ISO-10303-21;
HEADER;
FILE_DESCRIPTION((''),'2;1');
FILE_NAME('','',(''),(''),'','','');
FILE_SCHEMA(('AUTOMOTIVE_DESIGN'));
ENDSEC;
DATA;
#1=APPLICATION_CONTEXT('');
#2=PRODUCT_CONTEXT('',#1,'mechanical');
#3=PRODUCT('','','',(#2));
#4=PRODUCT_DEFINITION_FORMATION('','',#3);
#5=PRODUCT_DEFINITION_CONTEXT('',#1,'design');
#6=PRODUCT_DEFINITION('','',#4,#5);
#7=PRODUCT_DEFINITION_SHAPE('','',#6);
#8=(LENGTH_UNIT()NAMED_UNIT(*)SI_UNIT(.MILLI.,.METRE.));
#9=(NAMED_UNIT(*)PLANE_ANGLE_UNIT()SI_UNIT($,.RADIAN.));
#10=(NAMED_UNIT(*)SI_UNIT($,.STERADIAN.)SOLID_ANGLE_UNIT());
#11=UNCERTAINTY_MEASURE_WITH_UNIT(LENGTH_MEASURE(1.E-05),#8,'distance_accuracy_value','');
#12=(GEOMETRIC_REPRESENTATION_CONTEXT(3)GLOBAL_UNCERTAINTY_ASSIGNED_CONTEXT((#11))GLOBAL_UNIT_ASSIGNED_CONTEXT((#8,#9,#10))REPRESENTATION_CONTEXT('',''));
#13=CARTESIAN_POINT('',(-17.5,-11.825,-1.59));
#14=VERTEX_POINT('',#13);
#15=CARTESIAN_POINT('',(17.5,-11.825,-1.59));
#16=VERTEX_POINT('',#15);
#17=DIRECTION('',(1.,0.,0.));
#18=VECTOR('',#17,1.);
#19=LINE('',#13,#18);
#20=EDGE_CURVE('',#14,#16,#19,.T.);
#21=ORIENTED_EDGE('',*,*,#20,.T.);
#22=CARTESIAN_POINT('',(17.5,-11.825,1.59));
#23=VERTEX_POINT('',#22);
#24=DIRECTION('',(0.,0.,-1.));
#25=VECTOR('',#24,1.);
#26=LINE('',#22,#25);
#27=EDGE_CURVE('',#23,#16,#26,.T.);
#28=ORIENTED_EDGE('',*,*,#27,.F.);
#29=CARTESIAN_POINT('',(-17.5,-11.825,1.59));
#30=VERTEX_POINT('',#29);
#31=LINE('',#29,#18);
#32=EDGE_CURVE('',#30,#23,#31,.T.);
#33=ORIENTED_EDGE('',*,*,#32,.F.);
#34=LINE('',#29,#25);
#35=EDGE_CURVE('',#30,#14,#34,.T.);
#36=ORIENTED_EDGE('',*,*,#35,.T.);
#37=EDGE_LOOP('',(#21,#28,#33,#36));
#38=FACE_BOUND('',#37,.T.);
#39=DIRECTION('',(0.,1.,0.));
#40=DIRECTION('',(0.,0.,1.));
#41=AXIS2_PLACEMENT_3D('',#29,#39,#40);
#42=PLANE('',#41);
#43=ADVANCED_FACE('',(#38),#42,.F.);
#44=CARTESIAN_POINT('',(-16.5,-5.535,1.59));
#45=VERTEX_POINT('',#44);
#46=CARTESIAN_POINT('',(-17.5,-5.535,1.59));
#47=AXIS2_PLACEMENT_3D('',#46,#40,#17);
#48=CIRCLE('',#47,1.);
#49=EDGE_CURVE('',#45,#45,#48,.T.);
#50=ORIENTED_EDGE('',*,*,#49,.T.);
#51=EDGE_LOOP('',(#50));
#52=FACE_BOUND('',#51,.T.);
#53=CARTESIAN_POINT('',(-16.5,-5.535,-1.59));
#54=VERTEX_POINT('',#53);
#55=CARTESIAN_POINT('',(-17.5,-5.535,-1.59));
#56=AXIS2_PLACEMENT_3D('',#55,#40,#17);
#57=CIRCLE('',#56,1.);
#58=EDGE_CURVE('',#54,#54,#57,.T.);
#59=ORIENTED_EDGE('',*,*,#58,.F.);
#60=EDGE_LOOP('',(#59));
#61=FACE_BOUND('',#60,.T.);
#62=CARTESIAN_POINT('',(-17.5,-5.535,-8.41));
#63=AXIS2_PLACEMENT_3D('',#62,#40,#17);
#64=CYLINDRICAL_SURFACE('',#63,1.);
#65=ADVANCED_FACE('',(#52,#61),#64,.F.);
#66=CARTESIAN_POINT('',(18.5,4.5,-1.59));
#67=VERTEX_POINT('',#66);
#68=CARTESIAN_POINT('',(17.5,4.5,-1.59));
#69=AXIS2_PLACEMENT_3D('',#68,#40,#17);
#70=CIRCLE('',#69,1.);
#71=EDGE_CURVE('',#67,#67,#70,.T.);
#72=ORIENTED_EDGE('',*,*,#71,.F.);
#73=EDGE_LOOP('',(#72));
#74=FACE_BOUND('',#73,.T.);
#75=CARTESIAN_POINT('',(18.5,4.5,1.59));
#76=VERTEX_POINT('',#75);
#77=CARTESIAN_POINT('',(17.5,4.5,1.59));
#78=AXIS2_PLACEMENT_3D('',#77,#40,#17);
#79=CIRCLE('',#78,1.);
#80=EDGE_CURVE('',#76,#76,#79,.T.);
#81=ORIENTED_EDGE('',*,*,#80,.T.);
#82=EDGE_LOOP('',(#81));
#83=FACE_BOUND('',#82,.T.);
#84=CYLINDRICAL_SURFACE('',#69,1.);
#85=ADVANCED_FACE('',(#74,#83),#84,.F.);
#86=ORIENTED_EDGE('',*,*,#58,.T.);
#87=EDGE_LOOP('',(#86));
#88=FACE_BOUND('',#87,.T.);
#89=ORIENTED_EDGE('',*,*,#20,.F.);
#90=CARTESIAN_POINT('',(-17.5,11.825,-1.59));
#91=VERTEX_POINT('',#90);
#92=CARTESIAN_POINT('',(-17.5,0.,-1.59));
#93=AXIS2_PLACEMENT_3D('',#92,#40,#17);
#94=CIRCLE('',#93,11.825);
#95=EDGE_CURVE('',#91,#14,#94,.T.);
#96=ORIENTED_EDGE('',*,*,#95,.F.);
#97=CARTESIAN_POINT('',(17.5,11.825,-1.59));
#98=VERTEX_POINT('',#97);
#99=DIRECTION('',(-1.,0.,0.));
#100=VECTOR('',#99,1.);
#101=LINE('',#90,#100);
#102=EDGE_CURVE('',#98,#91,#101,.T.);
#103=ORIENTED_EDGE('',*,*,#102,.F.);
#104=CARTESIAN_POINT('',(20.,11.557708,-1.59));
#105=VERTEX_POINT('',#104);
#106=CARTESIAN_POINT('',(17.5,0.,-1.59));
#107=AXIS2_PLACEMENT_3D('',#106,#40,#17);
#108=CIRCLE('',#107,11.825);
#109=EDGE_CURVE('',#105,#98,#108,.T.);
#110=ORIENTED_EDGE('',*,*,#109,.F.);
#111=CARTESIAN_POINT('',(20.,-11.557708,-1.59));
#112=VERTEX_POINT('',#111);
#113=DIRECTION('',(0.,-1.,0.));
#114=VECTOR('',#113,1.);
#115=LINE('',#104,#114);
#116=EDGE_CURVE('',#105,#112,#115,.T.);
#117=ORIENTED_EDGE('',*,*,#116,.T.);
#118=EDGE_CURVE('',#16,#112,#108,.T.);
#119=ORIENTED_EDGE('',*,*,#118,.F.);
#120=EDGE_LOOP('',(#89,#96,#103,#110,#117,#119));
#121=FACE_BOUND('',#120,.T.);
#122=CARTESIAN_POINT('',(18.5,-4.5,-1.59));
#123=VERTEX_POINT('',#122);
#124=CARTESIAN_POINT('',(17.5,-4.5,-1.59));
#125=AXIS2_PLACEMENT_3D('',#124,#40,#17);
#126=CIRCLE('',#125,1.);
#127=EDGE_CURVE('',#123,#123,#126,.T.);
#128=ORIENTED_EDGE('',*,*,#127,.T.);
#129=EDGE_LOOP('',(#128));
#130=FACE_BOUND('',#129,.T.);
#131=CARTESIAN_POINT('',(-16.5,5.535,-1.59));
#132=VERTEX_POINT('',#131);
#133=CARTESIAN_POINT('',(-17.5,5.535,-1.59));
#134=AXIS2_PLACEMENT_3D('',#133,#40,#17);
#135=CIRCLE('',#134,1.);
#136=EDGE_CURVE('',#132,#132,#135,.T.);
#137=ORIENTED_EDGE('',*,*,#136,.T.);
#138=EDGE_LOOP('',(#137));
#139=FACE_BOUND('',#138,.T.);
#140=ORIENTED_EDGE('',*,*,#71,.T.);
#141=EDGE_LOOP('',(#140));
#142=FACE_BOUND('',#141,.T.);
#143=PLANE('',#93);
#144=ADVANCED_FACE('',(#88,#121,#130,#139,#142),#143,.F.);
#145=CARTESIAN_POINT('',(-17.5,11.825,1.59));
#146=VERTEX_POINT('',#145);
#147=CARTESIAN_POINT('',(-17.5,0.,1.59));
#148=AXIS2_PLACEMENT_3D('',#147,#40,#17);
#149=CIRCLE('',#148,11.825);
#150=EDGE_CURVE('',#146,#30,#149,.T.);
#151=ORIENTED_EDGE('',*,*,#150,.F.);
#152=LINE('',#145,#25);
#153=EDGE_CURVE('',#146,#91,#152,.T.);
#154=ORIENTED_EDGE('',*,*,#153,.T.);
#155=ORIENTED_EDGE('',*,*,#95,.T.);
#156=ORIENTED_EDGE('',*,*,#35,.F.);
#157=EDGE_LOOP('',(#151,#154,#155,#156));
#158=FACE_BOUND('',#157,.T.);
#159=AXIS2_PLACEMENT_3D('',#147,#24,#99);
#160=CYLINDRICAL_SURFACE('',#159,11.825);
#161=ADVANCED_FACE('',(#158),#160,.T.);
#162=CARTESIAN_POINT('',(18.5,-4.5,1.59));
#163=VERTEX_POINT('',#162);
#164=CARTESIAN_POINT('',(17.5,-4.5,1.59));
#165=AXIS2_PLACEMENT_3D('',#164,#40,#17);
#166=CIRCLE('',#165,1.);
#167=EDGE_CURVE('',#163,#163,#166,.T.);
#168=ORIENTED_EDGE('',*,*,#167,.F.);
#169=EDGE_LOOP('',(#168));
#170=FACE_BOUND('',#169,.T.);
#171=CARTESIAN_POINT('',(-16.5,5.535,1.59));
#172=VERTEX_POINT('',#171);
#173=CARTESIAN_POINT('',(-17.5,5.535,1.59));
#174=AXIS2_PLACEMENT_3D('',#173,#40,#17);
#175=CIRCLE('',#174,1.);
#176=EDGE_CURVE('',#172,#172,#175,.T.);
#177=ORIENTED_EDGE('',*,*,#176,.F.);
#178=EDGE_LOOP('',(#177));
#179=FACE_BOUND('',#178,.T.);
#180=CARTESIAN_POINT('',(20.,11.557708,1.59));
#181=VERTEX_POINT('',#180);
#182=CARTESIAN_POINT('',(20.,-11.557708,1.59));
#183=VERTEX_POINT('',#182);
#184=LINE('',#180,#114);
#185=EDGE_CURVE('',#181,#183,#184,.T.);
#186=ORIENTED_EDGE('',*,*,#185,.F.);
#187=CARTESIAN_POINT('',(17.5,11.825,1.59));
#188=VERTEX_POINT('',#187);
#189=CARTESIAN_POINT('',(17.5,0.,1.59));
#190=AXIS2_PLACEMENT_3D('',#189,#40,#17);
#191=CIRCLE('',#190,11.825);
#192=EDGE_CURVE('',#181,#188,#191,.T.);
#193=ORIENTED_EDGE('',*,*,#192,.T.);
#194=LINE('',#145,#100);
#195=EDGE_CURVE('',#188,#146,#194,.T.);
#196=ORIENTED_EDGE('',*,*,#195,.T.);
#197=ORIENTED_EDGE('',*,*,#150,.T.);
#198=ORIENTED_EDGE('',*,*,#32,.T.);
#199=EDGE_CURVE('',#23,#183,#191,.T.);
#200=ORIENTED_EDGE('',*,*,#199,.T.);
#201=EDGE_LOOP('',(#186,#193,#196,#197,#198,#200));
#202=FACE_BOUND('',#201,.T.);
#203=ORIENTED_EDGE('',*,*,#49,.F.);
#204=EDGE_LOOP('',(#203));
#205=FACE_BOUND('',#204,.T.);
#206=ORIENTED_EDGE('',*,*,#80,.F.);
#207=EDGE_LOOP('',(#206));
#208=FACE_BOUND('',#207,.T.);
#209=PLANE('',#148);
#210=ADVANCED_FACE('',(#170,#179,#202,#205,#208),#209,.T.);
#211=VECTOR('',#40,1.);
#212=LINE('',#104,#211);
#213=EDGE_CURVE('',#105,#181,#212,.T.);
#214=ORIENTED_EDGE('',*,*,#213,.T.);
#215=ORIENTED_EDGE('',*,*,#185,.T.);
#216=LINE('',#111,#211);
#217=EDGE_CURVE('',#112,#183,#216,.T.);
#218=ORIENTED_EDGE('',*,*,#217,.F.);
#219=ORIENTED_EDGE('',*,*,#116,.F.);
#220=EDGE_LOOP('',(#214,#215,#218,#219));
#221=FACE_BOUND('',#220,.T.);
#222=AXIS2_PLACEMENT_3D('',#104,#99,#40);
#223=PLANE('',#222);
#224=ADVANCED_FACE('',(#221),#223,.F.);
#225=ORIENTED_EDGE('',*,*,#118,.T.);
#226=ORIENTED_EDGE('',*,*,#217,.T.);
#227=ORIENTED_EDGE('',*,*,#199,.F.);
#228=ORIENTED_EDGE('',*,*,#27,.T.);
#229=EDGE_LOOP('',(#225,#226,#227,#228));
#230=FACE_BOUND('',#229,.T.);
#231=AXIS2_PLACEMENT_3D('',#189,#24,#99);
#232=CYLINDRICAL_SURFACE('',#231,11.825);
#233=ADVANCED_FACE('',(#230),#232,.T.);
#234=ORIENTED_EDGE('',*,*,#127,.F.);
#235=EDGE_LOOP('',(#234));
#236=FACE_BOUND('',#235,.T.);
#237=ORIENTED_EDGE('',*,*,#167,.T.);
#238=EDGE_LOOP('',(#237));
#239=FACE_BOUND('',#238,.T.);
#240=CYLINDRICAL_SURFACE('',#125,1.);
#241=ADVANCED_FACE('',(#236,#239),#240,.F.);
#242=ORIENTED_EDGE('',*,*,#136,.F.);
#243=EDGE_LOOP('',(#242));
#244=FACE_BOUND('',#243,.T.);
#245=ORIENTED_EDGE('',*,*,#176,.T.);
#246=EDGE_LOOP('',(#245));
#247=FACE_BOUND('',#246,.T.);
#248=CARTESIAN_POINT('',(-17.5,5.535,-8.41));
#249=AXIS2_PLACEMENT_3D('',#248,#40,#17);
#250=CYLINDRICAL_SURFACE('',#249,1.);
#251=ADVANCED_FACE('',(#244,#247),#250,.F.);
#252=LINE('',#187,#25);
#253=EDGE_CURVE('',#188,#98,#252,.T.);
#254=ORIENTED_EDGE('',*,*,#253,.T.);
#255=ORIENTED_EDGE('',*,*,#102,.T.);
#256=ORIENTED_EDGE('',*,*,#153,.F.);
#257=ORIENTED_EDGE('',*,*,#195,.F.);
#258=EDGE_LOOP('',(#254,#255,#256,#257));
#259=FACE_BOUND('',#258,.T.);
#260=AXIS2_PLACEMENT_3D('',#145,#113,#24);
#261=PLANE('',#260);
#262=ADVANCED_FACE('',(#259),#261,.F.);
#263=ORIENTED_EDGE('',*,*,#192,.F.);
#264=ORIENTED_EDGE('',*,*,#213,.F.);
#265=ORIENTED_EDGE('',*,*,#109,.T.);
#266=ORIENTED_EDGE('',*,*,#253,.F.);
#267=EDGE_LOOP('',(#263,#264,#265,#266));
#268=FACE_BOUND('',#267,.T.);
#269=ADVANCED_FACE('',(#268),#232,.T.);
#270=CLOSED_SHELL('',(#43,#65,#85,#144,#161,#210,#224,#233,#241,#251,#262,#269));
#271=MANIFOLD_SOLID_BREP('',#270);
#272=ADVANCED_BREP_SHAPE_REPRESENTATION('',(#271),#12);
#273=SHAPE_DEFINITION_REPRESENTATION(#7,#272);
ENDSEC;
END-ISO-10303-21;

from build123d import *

# Parameters (mm, degrees)
BOSS_EXTRUDE1_DEPTH = 1.59
SKETCH4_R           = 1
CUT_EXTRUDE1_DEPTH  = 10
SKETCH5_R           = 1
CUT_EXTRUDE2_DEPTH  = 32.778902593


with BuildPart() as part:
    # Sketch3 → Boss-Extrude1 (new, symmetric)
    with BuildSketch(Plane.XY):
        with BuildLine():
            Line((-17.5, 11.825), (17.5, 11.825))
            ThreePointArc((17.5, 11.825), (29.325, 0), (17.5, -11.825))
            Line((17.5, -11.825), (-17.5, -11.825))
            ThreePointArc((-17.5, -11.825), (-29.325, 0), (-17.5, 11.825))
        make_face()
    extrude(amount=BOSS_EXTRUDE1_DEPTH, both=True)

    # Sketch4 → Cut-Extrude1 (cut)
    with BuildSketch(Plane.XY.offset(1.59)):
        with Locations((-17.5, 5.535)):
            Circle(SKETCH4_R)
        with Locations((-17.5, -5.535)):
            Circle(SKETCH4_R)
    extrude(amount=-CUT_EXTRUDE1_DEPTH, mode=Mode.SUBTRACT)

    # Sketch5 → Cut-Extrude2 (cut, through all)
    with BuildSketch(Plane.XY.offset(1.59)):
        with Locations((17.5, 4.5)):
            Circle(SKETCH5_R)
        with Locations((17.5, -4.5)):
            Circle(SKETCH5_R)
        with BuildLine():
            Line((20, 11.557708467), (20, -11.557708467))
            ThreePointArc((20, -11.557708467), (29.325, 0), (20, 11.557708467))
        make_face()
    extrude(amount=-CUT_EXTRUDE2_DEPTH, mode=Mode.SUBTRACT)


solid = part.part
